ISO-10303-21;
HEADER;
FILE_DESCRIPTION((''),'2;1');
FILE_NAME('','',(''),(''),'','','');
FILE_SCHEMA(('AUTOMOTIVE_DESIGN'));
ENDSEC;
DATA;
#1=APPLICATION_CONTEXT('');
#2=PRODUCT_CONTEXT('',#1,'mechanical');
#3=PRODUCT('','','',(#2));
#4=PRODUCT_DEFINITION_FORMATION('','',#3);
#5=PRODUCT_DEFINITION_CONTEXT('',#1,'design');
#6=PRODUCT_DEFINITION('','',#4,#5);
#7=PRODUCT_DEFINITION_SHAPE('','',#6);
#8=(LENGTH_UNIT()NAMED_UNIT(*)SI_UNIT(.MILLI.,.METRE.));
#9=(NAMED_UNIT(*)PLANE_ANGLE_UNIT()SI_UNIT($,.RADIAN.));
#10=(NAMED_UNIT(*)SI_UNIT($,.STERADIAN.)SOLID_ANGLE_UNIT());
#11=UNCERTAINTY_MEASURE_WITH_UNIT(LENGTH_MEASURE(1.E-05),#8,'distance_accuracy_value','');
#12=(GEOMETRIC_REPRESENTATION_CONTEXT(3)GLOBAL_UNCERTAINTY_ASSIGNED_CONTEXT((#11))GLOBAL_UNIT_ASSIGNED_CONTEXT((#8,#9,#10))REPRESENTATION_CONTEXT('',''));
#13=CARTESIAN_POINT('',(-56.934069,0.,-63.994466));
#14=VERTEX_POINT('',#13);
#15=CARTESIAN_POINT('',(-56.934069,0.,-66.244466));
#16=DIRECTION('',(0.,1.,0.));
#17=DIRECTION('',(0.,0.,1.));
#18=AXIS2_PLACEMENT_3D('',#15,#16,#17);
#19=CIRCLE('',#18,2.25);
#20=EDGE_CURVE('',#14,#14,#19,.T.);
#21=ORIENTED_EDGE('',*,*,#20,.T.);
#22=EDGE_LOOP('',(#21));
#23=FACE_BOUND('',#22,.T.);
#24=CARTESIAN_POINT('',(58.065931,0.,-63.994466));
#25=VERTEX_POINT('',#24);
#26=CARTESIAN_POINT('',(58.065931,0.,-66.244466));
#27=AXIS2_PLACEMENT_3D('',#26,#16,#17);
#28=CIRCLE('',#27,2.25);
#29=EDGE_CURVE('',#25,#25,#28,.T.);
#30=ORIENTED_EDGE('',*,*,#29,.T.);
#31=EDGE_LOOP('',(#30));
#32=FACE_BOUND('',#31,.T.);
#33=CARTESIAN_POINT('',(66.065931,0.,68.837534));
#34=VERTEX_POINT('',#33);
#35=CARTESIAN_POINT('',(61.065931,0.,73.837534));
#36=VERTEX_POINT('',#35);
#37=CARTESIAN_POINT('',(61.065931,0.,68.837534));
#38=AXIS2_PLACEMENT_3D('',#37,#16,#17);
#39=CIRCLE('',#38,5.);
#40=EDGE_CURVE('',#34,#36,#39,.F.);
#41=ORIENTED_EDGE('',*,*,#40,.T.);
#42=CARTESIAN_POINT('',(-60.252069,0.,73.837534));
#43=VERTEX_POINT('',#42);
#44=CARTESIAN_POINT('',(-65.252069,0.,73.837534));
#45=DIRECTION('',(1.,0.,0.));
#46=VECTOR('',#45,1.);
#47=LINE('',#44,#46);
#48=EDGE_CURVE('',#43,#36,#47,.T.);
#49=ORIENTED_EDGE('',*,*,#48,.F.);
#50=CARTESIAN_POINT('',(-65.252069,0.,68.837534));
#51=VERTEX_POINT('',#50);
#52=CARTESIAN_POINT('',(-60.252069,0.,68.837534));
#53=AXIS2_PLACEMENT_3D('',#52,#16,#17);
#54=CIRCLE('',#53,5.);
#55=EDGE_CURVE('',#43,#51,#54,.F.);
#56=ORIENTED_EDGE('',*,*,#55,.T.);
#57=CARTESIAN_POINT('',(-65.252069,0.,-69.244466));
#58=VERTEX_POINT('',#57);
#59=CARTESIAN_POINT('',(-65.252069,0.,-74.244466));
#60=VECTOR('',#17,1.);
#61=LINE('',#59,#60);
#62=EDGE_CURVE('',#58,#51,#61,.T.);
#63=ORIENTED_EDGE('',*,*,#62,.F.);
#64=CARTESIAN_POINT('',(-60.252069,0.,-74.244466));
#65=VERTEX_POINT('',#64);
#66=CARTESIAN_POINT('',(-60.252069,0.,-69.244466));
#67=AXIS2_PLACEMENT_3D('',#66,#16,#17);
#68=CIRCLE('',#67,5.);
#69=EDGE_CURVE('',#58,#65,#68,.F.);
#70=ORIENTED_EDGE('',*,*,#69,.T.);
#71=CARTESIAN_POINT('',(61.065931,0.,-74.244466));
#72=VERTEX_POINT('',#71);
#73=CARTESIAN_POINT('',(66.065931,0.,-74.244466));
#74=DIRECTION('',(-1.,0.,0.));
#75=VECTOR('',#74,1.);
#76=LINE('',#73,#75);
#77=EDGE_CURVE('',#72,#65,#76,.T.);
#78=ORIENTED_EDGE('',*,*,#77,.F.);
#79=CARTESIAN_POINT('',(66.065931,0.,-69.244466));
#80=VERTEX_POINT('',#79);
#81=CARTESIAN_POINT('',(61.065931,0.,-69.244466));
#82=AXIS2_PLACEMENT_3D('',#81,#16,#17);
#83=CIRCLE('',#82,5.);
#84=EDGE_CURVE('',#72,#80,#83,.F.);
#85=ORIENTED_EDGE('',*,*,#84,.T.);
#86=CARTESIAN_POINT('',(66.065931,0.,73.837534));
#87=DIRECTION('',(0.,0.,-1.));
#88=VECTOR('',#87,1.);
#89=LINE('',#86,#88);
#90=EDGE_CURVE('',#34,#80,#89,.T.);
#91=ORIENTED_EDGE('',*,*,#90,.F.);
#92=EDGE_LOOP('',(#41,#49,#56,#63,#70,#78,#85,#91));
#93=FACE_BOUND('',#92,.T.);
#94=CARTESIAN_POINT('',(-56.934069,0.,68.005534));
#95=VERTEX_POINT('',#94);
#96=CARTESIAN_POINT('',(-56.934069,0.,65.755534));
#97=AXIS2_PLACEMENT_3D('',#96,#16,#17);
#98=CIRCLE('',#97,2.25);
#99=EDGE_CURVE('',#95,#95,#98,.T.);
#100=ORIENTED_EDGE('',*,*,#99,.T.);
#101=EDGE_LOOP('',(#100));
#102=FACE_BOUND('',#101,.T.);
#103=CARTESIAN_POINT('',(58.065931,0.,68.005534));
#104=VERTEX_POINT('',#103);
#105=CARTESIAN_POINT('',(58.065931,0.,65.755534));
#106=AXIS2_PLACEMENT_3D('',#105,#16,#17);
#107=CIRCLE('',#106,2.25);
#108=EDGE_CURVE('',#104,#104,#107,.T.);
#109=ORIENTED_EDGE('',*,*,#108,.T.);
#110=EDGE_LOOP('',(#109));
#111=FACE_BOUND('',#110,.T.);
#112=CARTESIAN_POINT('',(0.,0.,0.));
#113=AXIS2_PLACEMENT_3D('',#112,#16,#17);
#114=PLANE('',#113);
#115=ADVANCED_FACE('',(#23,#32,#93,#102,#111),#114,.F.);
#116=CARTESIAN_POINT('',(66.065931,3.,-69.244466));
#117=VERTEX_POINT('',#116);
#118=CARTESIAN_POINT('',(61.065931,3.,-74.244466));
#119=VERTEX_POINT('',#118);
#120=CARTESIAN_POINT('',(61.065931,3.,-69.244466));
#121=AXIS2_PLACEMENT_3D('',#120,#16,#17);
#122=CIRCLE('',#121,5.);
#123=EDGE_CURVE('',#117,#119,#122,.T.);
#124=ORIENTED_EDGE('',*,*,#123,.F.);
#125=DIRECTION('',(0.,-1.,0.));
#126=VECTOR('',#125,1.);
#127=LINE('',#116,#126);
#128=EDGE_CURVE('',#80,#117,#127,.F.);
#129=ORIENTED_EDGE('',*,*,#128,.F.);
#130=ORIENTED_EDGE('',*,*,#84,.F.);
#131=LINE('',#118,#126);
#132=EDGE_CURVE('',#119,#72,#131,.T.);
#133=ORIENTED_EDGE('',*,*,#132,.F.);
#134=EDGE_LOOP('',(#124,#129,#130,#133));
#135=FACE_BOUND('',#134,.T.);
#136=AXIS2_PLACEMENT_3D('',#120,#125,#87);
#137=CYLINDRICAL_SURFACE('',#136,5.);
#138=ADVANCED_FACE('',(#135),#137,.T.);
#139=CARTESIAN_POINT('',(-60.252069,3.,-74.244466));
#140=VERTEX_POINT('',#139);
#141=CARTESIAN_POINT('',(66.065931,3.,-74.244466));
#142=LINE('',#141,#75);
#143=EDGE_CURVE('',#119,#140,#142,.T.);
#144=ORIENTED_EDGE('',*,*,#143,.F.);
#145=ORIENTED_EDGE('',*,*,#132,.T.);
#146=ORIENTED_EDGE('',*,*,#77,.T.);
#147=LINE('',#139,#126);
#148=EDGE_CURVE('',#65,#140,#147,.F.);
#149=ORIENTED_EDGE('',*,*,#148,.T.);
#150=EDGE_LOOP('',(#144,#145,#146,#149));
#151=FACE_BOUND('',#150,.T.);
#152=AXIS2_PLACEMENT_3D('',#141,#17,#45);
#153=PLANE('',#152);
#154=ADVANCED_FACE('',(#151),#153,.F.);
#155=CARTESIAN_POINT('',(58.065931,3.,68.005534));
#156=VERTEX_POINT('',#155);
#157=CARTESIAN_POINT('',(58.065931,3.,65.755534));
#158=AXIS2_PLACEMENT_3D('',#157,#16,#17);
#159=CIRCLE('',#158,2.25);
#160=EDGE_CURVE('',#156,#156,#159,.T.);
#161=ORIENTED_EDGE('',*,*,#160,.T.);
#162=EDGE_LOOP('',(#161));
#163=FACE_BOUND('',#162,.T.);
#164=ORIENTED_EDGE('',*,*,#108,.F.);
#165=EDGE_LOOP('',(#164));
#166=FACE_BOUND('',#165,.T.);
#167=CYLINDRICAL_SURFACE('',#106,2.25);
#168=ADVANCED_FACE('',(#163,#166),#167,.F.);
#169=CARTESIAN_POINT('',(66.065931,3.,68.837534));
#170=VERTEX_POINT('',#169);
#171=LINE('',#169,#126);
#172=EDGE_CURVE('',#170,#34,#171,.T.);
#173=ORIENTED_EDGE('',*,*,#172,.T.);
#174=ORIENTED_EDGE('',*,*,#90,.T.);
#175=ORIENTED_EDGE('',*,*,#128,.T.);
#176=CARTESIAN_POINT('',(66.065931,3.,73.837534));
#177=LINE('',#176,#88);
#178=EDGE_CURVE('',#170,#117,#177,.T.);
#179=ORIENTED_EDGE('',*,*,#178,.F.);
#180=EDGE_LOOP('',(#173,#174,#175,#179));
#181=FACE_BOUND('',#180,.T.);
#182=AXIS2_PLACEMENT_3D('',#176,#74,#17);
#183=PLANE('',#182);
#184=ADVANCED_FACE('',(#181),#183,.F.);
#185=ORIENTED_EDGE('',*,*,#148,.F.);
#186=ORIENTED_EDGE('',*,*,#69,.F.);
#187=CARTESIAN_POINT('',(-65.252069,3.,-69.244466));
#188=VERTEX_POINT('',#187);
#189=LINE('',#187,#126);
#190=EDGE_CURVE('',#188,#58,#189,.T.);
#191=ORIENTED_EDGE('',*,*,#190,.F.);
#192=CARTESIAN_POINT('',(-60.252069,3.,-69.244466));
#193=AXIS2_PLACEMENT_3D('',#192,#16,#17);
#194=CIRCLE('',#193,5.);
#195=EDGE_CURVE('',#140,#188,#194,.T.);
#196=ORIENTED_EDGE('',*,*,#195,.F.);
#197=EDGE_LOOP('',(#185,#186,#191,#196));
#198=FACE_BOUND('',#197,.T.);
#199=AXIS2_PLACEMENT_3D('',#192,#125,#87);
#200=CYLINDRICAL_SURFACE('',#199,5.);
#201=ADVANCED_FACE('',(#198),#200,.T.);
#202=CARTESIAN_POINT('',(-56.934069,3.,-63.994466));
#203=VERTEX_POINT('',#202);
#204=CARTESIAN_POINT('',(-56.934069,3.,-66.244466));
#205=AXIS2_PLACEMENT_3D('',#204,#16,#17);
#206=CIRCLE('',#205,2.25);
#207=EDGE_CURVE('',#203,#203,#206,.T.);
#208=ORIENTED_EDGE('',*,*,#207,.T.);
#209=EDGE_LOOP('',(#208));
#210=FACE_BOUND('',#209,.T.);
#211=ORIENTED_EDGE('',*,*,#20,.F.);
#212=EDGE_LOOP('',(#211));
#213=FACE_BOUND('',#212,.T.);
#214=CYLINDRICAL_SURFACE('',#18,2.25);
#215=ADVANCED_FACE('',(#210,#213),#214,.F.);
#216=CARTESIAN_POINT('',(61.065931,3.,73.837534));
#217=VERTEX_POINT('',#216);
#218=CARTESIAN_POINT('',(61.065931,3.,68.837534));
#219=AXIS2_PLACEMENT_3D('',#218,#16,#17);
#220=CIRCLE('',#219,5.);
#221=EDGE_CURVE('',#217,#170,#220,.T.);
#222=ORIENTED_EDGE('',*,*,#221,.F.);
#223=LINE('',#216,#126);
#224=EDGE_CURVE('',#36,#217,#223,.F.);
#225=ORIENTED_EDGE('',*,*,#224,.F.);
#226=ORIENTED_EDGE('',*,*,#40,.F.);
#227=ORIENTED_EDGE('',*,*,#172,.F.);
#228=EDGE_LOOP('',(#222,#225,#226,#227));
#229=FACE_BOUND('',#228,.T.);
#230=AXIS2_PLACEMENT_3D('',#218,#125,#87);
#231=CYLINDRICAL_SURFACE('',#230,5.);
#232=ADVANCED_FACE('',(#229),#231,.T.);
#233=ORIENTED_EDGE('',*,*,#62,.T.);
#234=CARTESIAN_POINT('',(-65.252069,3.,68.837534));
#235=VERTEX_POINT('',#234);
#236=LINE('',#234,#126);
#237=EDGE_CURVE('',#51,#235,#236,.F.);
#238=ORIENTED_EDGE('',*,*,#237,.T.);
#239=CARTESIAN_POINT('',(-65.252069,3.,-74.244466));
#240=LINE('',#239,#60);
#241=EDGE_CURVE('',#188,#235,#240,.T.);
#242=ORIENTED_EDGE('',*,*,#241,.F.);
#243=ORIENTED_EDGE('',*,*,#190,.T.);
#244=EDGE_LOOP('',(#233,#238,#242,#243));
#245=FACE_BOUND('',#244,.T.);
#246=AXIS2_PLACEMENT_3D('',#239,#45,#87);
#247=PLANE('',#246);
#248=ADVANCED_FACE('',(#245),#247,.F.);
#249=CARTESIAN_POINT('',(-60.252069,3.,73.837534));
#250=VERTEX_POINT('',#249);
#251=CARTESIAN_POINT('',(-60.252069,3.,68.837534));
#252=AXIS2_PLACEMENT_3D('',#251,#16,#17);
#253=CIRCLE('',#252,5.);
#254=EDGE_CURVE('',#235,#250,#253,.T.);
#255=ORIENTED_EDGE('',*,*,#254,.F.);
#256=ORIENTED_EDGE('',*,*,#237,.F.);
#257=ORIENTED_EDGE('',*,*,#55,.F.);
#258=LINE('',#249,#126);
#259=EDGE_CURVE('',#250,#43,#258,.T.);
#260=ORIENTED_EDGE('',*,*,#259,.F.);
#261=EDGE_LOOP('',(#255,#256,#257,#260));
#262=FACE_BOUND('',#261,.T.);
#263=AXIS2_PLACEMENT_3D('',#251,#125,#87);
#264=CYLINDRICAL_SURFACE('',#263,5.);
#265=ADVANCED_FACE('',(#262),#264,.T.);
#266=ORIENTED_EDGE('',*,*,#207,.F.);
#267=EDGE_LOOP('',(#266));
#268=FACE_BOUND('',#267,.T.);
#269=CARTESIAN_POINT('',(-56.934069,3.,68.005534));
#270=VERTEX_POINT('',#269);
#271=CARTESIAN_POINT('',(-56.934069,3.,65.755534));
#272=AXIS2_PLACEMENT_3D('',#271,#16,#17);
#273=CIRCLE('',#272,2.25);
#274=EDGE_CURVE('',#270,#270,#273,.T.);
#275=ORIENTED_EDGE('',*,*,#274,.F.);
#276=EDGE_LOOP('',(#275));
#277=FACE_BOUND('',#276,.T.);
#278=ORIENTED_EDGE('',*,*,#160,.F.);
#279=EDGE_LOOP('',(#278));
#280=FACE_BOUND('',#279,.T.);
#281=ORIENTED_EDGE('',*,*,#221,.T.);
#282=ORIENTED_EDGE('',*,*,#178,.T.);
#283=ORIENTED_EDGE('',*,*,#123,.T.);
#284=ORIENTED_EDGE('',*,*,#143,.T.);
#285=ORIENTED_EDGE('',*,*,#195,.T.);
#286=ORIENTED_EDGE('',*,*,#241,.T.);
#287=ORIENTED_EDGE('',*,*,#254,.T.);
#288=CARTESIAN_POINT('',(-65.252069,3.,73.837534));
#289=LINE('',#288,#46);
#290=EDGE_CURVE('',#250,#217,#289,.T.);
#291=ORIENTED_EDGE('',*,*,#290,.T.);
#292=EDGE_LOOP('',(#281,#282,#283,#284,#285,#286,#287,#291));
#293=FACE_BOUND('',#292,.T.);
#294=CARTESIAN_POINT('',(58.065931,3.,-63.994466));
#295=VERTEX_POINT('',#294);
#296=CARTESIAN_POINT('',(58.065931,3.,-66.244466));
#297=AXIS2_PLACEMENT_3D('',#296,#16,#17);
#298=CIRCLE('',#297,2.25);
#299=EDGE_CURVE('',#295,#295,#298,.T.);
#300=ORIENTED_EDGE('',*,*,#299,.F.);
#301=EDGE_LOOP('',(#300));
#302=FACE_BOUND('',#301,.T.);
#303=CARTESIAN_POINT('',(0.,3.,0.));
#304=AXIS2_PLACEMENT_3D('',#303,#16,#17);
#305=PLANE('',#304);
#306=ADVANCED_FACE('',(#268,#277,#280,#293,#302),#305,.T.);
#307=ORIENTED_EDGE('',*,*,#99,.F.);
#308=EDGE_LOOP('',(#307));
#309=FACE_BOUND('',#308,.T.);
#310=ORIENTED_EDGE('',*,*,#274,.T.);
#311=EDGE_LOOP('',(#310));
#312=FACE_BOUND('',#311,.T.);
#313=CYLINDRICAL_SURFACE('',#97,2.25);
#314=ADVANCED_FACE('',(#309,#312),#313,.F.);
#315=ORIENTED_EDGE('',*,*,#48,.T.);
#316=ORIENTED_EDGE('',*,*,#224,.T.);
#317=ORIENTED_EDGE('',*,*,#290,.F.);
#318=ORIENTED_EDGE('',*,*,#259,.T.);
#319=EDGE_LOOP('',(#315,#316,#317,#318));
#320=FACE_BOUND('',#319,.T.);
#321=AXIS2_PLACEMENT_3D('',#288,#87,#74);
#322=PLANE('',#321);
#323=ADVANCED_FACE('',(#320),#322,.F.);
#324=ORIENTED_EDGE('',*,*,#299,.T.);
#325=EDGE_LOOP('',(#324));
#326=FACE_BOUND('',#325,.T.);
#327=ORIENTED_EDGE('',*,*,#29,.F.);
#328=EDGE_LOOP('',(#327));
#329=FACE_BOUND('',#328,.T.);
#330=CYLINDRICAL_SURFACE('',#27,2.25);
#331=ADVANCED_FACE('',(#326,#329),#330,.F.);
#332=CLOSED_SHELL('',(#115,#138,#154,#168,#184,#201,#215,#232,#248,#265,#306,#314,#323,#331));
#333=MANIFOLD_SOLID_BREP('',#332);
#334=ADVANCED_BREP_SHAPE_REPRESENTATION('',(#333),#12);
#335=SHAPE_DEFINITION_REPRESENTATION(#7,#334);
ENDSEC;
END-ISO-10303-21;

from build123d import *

# Parameters (mm, degrees)
SKETCH1_W           = 131.318
SKETCH1_H           = 148.082
BOSS_EXTRUDE1_DEPTH = 3
SKETCH2_R           = 2.25
CUT_EXTRUDE1_DEPTH  = 4
FILLET1_R           = 5


with BuildPart() as part:
    # Sketch1 → Boss-Extrude1 (new body)
    with BuildSketch(Plane(origin=(0, 0, 0), x_dir=(1, 0, 0), z_dir=(0, 1, 0))):
        with Locations((0.406931424, 0.203465712)):
            Rectangle(SKETCH1_W, SKETCH1_H)
    extrude(amount=BOSS_EXTRUDE1_DEPTH)

    # Sketch2 → Cut-Extrude1 (cut, through all)
    with BuildSketch(Plane(origin=(0, 3, 0), x_dir=(1, 0, 0), z_dir=(0, 1, 0))):
        with Locations((-56.934068576, -65.755534288)):
            Circle(SKETCH2_R)
        with Locations((-56.934068576, 66.244465712)):
            Circle(SKETCH2_R)
        with Locations((58.065931424, 66.244465712)):
            Circle(SKETCH2_R)
        with Locations((58.065931424, -65.755534288)):
            Circle(SKETCH2_R)
    extrude(amount=-CUT_EXTRUDE1_DEPTH, mode=Mode.SUBTRACT)

    # Fillet1
    fillet1_edges = [part.edges().sort_by_distance(p)[0] for p in [
        (-65.252068576, 1.5, 73.837534288),
        (-65.252068576, 1.5, -74.244465712),
        (66.065931424, 1.5, -74.244465712),
        (66.065931424, 1.5, 73.837534288),
    ]]
    fillet(fillet1_edges, radius=FILLET1_R)


solid = part.part
